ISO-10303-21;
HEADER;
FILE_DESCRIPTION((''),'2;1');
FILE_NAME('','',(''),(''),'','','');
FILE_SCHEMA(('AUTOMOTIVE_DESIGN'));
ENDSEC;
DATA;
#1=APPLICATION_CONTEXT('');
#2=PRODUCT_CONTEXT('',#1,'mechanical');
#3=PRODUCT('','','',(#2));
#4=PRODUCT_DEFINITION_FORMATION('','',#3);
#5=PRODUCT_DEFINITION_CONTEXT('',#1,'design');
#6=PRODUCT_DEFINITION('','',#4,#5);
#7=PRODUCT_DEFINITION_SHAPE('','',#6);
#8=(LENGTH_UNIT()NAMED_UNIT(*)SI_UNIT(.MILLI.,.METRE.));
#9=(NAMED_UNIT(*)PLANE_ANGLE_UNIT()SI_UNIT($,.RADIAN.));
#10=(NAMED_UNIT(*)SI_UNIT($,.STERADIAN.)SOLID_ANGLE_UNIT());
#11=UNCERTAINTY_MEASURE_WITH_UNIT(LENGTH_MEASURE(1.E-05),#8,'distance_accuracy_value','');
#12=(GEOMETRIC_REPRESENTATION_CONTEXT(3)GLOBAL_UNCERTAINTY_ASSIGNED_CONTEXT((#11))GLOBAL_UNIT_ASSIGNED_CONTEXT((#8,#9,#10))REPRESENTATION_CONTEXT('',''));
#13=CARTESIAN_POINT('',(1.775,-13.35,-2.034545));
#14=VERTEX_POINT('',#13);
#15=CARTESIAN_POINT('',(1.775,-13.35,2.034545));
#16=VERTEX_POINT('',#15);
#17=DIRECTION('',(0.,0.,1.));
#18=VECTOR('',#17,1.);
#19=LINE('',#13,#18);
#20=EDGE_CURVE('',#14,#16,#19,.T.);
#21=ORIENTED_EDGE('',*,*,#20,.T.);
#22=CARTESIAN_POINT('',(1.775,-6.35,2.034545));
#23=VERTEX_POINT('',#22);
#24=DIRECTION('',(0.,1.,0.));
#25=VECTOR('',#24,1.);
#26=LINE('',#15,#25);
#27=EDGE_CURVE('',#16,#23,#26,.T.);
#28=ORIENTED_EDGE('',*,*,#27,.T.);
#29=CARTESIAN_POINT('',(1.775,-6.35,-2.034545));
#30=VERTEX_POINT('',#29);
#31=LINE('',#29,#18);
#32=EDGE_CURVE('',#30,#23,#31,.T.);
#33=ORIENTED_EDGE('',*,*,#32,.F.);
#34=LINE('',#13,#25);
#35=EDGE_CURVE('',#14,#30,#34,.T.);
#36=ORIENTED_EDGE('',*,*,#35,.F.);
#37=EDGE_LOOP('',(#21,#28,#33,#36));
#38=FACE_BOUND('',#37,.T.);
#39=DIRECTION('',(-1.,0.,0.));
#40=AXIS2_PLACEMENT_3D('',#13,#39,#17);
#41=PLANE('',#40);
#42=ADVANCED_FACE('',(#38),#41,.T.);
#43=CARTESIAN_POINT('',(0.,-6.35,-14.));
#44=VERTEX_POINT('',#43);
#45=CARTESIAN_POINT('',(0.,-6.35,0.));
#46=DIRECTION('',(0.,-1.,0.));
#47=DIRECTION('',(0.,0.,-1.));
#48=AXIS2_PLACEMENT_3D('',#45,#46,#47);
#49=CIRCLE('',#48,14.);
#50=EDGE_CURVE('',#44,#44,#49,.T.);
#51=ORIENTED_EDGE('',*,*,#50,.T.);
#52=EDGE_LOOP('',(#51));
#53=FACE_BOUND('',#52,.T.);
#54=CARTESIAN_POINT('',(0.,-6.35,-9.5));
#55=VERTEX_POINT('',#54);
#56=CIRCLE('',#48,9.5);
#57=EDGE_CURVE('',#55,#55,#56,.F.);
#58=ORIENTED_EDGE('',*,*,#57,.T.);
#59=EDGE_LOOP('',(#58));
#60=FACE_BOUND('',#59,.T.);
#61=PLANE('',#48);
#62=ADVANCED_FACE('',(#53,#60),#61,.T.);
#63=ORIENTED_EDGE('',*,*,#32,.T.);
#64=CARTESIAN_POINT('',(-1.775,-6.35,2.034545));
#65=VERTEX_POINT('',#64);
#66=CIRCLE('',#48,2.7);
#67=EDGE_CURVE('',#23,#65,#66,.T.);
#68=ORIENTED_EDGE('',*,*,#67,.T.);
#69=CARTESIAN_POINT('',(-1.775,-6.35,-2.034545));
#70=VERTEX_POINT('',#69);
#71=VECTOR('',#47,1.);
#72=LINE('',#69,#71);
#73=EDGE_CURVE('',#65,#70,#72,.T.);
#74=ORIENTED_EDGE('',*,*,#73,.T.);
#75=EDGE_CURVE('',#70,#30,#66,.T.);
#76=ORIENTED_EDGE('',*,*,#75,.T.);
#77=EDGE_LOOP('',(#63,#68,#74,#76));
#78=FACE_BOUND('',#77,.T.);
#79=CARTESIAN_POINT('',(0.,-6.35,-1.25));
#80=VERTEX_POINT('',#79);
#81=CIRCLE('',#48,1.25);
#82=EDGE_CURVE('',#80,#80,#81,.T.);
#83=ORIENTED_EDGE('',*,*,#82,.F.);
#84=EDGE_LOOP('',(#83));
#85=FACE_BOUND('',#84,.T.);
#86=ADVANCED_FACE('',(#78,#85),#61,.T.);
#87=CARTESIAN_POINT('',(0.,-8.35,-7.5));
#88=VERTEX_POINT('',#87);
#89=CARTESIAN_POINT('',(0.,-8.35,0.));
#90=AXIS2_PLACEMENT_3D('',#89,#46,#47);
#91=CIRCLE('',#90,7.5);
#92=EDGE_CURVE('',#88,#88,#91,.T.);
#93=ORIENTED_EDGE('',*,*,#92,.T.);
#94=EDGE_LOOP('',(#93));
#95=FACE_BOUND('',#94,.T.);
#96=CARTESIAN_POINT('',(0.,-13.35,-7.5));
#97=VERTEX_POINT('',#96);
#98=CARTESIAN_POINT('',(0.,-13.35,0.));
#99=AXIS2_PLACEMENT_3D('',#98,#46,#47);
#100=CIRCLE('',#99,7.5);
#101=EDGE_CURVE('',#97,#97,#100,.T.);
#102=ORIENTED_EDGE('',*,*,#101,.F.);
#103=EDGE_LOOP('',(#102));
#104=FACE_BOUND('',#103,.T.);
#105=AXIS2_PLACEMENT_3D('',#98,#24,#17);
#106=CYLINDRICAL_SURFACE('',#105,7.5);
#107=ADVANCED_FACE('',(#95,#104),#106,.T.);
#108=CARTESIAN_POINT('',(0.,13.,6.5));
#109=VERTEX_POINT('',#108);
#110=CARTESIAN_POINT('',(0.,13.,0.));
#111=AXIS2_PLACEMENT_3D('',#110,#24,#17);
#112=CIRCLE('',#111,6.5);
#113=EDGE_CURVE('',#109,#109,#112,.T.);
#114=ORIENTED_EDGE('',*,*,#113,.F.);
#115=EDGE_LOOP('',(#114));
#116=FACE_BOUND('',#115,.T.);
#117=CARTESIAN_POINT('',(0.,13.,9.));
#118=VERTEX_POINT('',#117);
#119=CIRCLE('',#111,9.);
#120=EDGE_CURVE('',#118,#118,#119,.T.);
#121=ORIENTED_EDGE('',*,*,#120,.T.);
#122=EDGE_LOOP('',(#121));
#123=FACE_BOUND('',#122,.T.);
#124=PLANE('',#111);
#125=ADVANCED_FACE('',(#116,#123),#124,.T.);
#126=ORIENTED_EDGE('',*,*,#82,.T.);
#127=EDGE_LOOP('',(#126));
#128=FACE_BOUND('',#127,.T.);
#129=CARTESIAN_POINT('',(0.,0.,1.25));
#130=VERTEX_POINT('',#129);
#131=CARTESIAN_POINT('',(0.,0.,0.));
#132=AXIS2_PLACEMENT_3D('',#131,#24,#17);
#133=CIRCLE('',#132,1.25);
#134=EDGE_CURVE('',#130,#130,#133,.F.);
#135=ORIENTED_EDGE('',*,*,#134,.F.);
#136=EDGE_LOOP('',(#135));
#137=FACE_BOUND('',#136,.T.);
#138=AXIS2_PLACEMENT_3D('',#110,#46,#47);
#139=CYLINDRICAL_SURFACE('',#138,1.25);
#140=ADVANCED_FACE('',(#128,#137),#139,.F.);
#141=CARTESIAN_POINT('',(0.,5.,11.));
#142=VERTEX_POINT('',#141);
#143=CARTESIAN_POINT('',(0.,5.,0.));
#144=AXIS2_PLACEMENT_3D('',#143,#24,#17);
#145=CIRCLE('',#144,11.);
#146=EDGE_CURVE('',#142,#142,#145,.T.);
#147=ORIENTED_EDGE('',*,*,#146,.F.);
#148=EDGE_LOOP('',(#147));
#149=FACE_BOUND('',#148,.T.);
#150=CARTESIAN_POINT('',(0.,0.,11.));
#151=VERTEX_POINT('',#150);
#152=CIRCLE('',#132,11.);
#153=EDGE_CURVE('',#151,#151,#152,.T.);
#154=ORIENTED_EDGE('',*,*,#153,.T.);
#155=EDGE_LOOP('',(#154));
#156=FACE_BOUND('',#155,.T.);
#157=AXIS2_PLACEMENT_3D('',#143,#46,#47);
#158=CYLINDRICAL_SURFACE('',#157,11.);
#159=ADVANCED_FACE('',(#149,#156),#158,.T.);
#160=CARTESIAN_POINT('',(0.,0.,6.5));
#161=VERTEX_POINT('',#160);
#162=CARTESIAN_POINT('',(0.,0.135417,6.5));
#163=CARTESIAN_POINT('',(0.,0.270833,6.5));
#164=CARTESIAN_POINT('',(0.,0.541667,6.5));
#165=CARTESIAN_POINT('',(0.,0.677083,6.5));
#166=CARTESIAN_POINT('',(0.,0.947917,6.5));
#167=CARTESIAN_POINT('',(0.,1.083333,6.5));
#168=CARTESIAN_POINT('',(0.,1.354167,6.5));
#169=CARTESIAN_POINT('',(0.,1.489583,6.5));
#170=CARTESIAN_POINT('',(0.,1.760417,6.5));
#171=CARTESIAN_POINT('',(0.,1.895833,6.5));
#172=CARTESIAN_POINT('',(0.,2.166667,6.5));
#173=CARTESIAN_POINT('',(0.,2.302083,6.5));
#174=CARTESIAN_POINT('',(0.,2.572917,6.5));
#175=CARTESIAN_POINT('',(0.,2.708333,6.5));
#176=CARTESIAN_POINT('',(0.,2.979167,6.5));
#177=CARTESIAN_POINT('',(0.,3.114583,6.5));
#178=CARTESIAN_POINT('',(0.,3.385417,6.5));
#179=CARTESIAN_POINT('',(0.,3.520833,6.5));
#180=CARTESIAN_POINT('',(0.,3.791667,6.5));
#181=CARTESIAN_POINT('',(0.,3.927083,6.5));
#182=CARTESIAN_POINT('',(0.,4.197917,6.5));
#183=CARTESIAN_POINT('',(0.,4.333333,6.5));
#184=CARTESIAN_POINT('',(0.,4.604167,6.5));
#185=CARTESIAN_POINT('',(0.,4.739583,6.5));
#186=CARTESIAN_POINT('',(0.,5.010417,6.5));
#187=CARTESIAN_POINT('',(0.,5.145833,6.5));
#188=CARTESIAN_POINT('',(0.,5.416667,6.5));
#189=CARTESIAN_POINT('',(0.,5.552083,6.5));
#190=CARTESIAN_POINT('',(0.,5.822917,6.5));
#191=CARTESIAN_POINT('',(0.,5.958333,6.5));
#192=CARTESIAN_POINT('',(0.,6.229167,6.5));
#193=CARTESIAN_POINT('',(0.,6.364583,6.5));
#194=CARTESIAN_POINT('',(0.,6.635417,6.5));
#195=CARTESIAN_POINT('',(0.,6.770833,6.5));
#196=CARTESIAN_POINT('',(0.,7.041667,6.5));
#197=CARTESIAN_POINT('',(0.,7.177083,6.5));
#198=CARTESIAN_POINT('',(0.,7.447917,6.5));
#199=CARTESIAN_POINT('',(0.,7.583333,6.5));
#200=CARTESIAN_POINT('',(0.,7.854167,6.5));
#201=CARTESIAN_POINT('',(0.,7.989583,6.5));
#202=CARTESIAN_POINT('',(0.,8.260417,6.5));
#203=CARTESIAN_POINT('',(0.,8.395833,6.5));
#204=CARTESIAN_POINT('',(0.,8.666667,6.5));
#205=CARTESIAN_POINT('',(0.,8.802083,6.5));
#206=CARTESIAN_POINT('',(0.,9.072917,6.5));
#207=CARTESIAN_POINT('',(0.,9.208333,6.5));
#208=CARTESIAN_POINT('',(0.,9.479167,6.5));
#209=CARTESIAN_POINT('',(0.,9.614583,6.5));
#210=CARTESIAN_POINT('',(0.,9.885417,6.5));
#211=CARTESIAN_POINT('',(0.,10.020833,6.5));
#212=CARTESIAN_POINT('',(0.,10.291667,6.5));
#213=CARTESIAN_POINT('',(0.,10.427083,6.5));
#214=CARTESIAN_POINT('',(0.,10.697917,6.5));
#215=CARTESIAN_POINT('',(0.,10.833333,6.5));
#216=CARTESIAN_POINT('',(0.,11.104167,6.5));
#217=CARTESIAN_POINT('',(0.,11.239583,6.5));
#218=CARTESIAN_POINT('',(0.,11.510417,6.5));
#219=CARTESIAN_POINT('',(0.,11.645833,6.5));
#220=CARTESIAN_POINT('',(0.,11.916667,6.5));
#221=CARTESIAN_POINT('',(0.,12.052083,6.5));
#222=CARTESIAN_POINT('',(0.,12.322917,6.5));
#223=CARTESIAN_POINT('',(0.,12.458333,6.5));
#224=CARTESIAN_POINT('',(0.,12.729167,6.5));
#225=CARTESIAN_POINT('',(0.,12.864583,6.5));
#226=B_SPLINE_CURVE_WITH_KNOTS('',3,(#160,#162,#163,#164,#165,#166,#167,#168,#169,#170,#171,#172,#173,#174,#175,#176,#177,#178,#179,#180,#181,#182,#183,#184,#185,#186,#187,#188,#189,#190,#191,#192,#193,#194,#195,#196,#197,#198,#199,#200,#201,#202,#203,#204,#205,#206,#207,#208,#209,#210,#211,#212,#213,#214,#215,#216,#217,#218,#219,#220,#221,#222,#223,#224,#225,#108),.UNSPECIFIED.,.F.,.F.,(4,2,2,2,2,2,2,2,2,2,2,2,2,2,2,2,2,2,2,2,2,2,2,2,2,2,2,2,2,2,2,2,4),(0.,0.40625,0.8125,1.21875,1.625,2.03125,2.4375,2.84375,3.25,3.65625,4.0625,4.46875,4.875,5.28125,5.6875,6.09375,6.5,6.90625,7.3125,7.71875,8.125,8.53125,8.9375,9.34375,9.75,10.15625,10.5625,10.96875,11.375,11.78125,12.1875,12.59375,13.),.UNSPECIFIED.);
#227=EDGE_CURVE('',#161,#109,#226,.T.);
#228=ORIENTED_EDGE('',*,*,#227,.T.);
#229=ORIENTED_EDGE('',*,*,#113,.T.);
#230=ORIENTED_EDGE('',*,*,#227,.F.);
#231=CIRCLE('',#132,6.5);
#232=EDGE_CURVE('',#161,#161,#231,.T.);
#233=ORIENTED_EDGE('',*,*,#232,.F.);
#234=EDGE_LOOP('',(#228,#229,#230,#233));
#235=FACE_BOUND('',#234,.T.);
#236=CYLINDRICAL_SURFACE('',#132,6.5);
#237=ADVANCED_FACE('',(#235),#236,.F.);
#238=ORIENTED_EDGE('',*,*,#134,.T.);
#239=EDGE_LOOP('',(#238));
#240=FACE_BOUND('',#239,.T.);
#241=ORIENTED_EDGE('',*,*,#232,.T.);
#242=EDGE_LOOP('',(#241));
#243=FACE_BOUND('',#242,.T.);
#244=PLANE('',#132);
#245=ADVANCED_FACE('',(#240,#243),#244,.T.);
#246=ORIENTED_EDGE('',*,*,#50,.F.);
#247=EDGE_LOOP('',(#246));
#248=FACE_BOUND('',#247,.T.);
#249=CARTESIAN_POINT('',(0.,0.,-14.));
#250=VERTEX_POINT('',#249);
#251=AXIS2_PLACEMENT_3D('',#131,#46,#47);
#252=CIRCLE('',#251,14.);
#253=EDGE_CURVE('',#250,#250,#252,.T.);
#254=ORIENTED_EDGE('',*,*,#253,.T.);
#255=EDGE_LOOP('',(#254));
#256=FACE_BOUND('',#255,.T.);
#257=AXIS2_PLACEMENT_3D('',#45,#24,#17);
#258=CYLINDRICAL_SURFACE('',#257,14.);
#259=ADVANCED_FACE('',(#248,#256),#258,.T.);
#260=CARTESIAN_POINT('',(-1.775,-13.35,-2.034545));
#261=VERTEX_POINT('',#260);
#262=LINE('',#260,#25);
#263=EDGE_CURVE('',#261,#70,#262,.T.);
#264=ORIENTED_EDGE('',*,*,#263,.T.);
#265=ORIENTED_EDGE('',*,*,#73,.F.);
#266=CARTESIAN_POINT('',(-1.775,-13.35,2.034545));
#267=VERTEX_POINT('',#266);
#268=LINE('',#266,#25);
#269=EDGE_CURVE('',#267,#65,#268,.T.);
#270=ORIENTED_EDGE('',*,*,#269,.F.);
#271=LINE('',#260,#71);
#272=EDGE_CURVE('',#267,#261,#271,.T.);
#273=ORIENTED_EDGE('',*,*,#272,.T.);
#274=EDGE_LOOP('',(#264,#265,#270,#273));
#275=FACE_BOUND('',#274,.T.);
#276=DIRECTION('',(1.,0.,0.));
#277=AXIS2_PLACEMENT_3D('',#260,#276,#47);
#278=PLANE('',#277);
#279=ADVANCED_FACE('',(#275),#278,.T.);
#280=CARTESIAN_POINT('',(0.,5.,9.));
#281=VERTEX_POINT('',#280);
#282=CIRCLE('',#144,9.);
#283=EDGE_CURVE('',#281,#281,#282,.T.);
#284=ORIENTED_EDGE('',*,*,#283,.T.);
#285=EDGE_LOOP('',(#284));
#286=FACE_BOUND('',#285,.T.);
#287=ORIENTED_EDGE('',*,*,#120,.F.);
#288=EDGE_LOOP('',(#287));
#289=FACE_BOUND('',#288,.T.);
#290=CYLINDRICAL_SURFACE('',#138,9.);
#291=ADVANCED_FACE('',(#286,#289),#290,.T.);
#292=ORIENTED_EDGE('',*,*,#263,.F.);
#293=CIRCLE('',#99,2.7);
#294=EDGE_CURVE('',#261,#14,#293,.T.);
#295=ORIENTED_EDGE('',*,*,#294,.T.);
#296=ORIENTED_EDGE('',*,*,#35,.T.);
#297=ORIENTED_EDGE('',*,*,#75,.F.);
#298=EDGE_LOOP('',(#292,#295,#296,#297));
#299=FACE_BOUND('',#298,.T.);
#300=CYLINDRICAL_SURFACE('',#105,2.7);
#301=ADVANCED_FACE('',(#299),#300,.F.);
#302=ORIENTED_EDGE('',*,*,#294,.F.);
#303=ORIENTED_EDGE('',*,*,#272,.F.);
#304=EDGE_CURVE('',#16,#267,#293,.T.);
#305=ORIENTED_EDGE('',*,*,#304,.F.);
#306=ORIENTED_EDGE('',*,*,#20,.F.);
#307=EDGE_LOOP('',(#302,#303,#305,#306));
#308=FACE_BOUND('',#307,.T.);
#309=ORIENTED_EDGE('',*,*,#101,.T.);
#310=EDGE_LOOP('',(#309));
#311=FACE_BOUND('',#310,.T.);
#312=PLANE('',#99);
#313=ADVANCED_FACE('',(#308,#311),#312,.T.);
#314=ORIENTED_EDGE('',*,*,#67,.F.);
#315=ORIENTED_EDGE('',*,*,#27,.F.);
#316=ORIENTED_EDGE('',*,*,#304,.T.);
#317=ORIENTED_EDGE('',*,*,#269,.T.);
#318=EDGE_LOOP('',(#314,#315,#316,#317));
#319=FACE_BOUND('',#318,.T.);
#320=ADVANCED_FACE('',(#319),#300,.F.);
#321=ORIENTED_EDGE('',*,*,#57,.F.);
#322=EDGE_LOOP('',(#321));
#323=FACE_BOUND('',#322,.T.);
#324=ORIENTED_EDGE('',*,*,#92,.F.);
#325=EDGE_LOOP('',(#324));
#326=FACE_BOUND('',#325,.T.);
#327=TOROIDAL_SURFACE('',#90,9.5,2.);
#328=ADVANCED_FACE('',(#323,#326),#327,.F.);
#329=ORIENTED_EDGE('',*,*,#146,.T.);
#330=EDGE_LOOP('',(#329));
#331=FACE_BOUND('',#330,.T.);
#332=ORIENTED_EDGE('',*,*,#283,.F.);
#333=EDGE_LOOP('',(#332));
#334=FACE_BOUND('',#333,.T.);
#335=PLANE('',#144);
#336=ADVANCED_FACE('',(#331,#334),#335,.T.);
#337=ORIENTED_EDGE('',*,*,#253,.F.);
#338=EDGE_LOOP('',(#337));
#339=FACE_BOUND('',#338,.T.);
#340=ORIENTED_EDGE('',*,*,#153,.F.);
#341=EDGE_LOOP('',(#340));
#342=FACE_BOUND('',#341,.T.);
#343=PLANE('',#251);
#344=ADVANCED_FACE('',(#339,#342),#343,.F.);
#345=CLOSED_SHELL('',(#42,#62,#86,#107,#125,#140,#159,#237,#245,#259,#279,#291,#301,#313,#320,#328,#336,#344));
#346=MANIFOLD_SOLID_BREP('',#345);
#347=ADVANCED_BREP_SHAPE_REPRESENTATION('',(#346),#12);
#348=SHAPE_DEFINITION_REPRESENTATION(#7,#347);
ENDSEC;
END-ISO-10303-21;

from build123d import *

# Parameters (mm, degrees)
ESQUISSE1_R                  = 11
BOSS_EXTRU_1_DEPTH           = 5
ESQUISSE2_R                  = 9
BOSS_EXTRU_2_DEPTH           = 8
ESQUISSE3_R                  = 14
BOSS_EXTRU_3_DEPTH           = 6.35
ESQUISSE4_R                  = 7.5
BOSS_EXTRU_5_DEPTH           = 7
ENL_V_MAT_EXTRU_1_DEPTH      = 28.684336727
ENL_V_MAT_EXTRU_1_DEPTH_BACK = 28.684336727
ESQUISSE5_R                  = 1.25
ESQUISSE6_R                  = 6.5
ENL_V_MAT_EXTRU_2_DEPTH      = 13
CONG_3_R                     = 2


with BuildPart() as part:
    # Esquisse1 → Boss.-Extru.1 (new body)
    with BuildSketch(Plane(origin=(0, 0, 0), x_dir=(1, 0, 0), z_dir=(0, 1, 0))):
        with Locations(Location((0, 0, 0), (0, 0, 270))):
            Circle(ESQUISSE1_R)
    extrude(amount=BOSS_EXTRU_1_DEPTH)

    # Esquisse2 → Boss.-Extru.2 (add)
    with BuildSketch(Plane(origin=(0, 5, 0), x_dir=(1, 0, 0), z_dir=(0, 1, 0))):
        with Locations(Location((0, 0, 0), (0, 0, 270))):
            Circle(ESQUISSE2_R)
    extrude(amount=BOSS_EXTRU_2_DEPTH)

    # Esquisse3 → Boss.-Extru.3 (add)
    with BuildSketch(Plane.XZ):
        with Locations(Location((0, 0, 0), (0, 0, 270))):
            Circle(ESQUISSE3_R)
    extrude(amount=BOSS_EXTRU_3_DEPTH)

    # Esquisse4 → Boss.-Extru.5 (add)
    with BuildSketch(Plane.XZ.offset(6.35)):
        with Locations(Location((0, 0, 0), (0, 0, 270))):
            Circle(ESQUISSE4_R)
        with BuildLine():
            Line((1.775, -2.034545404), (1.775, 2.034545404))
            ThreePointArc((1.775, 2.034545404), (0, 2.7), (-1.775, 2.034545404))
            Line((-1.775, 2.034545404), (-1.775, -2.034545404))
            ThreePointArc((-1.775, -2.034545404), (0, -2.7), (1.775, -2.034545404))
        make_face(mode=Mode.SUBTRACT)
    extrude(amount=BOSS_EXTRU_5_DEPTH)

    # Esquisse5 → Enlèv. mat.-Extru.1 (cut, two sides: drawn at the far end of the back side and taken through both)
    with BuildSketch(Plane.XZ.offset(6.35).offset(-ENL_V_MAT_EXTRU_1_DEPTH_BACK)):
        with Locations(Location((0, 0, 0), (0, 0, 270))):
            Circle(ESQUISSE5_R)
    extrude(amount=ENL_V_MAT_EXTRU_1_DEPTH + ENL_V_MAT_EXTRU_1_DEPTH_BACK, mode=Mode.SUBTRACT)

    # Esquisse6 → Enlèv. mat.-Extru.2 (cut)
    with BuildSketch(Plane(origin=(0, 13, 0), x_dir=(1, 0, 0), z_dir=(0, 1, 0))):
        with Locations(Location((0, 0, 0), (0, 0, 270))):
            Circle(ESQUISSE6_R)
    extrude(amount=-ENL_V_MAT_EXTRU_2_DEPTH, mode=Mode.SUBTRACT)

    # Congé3
    cong_3_edges = [part.edges().sort_by_distance(p)[0] for p in [
        (0, -6.35, 7.5),
    ]]
    fillet(cong_3_edges, radius=CONG_3_R)


solid = part.part
